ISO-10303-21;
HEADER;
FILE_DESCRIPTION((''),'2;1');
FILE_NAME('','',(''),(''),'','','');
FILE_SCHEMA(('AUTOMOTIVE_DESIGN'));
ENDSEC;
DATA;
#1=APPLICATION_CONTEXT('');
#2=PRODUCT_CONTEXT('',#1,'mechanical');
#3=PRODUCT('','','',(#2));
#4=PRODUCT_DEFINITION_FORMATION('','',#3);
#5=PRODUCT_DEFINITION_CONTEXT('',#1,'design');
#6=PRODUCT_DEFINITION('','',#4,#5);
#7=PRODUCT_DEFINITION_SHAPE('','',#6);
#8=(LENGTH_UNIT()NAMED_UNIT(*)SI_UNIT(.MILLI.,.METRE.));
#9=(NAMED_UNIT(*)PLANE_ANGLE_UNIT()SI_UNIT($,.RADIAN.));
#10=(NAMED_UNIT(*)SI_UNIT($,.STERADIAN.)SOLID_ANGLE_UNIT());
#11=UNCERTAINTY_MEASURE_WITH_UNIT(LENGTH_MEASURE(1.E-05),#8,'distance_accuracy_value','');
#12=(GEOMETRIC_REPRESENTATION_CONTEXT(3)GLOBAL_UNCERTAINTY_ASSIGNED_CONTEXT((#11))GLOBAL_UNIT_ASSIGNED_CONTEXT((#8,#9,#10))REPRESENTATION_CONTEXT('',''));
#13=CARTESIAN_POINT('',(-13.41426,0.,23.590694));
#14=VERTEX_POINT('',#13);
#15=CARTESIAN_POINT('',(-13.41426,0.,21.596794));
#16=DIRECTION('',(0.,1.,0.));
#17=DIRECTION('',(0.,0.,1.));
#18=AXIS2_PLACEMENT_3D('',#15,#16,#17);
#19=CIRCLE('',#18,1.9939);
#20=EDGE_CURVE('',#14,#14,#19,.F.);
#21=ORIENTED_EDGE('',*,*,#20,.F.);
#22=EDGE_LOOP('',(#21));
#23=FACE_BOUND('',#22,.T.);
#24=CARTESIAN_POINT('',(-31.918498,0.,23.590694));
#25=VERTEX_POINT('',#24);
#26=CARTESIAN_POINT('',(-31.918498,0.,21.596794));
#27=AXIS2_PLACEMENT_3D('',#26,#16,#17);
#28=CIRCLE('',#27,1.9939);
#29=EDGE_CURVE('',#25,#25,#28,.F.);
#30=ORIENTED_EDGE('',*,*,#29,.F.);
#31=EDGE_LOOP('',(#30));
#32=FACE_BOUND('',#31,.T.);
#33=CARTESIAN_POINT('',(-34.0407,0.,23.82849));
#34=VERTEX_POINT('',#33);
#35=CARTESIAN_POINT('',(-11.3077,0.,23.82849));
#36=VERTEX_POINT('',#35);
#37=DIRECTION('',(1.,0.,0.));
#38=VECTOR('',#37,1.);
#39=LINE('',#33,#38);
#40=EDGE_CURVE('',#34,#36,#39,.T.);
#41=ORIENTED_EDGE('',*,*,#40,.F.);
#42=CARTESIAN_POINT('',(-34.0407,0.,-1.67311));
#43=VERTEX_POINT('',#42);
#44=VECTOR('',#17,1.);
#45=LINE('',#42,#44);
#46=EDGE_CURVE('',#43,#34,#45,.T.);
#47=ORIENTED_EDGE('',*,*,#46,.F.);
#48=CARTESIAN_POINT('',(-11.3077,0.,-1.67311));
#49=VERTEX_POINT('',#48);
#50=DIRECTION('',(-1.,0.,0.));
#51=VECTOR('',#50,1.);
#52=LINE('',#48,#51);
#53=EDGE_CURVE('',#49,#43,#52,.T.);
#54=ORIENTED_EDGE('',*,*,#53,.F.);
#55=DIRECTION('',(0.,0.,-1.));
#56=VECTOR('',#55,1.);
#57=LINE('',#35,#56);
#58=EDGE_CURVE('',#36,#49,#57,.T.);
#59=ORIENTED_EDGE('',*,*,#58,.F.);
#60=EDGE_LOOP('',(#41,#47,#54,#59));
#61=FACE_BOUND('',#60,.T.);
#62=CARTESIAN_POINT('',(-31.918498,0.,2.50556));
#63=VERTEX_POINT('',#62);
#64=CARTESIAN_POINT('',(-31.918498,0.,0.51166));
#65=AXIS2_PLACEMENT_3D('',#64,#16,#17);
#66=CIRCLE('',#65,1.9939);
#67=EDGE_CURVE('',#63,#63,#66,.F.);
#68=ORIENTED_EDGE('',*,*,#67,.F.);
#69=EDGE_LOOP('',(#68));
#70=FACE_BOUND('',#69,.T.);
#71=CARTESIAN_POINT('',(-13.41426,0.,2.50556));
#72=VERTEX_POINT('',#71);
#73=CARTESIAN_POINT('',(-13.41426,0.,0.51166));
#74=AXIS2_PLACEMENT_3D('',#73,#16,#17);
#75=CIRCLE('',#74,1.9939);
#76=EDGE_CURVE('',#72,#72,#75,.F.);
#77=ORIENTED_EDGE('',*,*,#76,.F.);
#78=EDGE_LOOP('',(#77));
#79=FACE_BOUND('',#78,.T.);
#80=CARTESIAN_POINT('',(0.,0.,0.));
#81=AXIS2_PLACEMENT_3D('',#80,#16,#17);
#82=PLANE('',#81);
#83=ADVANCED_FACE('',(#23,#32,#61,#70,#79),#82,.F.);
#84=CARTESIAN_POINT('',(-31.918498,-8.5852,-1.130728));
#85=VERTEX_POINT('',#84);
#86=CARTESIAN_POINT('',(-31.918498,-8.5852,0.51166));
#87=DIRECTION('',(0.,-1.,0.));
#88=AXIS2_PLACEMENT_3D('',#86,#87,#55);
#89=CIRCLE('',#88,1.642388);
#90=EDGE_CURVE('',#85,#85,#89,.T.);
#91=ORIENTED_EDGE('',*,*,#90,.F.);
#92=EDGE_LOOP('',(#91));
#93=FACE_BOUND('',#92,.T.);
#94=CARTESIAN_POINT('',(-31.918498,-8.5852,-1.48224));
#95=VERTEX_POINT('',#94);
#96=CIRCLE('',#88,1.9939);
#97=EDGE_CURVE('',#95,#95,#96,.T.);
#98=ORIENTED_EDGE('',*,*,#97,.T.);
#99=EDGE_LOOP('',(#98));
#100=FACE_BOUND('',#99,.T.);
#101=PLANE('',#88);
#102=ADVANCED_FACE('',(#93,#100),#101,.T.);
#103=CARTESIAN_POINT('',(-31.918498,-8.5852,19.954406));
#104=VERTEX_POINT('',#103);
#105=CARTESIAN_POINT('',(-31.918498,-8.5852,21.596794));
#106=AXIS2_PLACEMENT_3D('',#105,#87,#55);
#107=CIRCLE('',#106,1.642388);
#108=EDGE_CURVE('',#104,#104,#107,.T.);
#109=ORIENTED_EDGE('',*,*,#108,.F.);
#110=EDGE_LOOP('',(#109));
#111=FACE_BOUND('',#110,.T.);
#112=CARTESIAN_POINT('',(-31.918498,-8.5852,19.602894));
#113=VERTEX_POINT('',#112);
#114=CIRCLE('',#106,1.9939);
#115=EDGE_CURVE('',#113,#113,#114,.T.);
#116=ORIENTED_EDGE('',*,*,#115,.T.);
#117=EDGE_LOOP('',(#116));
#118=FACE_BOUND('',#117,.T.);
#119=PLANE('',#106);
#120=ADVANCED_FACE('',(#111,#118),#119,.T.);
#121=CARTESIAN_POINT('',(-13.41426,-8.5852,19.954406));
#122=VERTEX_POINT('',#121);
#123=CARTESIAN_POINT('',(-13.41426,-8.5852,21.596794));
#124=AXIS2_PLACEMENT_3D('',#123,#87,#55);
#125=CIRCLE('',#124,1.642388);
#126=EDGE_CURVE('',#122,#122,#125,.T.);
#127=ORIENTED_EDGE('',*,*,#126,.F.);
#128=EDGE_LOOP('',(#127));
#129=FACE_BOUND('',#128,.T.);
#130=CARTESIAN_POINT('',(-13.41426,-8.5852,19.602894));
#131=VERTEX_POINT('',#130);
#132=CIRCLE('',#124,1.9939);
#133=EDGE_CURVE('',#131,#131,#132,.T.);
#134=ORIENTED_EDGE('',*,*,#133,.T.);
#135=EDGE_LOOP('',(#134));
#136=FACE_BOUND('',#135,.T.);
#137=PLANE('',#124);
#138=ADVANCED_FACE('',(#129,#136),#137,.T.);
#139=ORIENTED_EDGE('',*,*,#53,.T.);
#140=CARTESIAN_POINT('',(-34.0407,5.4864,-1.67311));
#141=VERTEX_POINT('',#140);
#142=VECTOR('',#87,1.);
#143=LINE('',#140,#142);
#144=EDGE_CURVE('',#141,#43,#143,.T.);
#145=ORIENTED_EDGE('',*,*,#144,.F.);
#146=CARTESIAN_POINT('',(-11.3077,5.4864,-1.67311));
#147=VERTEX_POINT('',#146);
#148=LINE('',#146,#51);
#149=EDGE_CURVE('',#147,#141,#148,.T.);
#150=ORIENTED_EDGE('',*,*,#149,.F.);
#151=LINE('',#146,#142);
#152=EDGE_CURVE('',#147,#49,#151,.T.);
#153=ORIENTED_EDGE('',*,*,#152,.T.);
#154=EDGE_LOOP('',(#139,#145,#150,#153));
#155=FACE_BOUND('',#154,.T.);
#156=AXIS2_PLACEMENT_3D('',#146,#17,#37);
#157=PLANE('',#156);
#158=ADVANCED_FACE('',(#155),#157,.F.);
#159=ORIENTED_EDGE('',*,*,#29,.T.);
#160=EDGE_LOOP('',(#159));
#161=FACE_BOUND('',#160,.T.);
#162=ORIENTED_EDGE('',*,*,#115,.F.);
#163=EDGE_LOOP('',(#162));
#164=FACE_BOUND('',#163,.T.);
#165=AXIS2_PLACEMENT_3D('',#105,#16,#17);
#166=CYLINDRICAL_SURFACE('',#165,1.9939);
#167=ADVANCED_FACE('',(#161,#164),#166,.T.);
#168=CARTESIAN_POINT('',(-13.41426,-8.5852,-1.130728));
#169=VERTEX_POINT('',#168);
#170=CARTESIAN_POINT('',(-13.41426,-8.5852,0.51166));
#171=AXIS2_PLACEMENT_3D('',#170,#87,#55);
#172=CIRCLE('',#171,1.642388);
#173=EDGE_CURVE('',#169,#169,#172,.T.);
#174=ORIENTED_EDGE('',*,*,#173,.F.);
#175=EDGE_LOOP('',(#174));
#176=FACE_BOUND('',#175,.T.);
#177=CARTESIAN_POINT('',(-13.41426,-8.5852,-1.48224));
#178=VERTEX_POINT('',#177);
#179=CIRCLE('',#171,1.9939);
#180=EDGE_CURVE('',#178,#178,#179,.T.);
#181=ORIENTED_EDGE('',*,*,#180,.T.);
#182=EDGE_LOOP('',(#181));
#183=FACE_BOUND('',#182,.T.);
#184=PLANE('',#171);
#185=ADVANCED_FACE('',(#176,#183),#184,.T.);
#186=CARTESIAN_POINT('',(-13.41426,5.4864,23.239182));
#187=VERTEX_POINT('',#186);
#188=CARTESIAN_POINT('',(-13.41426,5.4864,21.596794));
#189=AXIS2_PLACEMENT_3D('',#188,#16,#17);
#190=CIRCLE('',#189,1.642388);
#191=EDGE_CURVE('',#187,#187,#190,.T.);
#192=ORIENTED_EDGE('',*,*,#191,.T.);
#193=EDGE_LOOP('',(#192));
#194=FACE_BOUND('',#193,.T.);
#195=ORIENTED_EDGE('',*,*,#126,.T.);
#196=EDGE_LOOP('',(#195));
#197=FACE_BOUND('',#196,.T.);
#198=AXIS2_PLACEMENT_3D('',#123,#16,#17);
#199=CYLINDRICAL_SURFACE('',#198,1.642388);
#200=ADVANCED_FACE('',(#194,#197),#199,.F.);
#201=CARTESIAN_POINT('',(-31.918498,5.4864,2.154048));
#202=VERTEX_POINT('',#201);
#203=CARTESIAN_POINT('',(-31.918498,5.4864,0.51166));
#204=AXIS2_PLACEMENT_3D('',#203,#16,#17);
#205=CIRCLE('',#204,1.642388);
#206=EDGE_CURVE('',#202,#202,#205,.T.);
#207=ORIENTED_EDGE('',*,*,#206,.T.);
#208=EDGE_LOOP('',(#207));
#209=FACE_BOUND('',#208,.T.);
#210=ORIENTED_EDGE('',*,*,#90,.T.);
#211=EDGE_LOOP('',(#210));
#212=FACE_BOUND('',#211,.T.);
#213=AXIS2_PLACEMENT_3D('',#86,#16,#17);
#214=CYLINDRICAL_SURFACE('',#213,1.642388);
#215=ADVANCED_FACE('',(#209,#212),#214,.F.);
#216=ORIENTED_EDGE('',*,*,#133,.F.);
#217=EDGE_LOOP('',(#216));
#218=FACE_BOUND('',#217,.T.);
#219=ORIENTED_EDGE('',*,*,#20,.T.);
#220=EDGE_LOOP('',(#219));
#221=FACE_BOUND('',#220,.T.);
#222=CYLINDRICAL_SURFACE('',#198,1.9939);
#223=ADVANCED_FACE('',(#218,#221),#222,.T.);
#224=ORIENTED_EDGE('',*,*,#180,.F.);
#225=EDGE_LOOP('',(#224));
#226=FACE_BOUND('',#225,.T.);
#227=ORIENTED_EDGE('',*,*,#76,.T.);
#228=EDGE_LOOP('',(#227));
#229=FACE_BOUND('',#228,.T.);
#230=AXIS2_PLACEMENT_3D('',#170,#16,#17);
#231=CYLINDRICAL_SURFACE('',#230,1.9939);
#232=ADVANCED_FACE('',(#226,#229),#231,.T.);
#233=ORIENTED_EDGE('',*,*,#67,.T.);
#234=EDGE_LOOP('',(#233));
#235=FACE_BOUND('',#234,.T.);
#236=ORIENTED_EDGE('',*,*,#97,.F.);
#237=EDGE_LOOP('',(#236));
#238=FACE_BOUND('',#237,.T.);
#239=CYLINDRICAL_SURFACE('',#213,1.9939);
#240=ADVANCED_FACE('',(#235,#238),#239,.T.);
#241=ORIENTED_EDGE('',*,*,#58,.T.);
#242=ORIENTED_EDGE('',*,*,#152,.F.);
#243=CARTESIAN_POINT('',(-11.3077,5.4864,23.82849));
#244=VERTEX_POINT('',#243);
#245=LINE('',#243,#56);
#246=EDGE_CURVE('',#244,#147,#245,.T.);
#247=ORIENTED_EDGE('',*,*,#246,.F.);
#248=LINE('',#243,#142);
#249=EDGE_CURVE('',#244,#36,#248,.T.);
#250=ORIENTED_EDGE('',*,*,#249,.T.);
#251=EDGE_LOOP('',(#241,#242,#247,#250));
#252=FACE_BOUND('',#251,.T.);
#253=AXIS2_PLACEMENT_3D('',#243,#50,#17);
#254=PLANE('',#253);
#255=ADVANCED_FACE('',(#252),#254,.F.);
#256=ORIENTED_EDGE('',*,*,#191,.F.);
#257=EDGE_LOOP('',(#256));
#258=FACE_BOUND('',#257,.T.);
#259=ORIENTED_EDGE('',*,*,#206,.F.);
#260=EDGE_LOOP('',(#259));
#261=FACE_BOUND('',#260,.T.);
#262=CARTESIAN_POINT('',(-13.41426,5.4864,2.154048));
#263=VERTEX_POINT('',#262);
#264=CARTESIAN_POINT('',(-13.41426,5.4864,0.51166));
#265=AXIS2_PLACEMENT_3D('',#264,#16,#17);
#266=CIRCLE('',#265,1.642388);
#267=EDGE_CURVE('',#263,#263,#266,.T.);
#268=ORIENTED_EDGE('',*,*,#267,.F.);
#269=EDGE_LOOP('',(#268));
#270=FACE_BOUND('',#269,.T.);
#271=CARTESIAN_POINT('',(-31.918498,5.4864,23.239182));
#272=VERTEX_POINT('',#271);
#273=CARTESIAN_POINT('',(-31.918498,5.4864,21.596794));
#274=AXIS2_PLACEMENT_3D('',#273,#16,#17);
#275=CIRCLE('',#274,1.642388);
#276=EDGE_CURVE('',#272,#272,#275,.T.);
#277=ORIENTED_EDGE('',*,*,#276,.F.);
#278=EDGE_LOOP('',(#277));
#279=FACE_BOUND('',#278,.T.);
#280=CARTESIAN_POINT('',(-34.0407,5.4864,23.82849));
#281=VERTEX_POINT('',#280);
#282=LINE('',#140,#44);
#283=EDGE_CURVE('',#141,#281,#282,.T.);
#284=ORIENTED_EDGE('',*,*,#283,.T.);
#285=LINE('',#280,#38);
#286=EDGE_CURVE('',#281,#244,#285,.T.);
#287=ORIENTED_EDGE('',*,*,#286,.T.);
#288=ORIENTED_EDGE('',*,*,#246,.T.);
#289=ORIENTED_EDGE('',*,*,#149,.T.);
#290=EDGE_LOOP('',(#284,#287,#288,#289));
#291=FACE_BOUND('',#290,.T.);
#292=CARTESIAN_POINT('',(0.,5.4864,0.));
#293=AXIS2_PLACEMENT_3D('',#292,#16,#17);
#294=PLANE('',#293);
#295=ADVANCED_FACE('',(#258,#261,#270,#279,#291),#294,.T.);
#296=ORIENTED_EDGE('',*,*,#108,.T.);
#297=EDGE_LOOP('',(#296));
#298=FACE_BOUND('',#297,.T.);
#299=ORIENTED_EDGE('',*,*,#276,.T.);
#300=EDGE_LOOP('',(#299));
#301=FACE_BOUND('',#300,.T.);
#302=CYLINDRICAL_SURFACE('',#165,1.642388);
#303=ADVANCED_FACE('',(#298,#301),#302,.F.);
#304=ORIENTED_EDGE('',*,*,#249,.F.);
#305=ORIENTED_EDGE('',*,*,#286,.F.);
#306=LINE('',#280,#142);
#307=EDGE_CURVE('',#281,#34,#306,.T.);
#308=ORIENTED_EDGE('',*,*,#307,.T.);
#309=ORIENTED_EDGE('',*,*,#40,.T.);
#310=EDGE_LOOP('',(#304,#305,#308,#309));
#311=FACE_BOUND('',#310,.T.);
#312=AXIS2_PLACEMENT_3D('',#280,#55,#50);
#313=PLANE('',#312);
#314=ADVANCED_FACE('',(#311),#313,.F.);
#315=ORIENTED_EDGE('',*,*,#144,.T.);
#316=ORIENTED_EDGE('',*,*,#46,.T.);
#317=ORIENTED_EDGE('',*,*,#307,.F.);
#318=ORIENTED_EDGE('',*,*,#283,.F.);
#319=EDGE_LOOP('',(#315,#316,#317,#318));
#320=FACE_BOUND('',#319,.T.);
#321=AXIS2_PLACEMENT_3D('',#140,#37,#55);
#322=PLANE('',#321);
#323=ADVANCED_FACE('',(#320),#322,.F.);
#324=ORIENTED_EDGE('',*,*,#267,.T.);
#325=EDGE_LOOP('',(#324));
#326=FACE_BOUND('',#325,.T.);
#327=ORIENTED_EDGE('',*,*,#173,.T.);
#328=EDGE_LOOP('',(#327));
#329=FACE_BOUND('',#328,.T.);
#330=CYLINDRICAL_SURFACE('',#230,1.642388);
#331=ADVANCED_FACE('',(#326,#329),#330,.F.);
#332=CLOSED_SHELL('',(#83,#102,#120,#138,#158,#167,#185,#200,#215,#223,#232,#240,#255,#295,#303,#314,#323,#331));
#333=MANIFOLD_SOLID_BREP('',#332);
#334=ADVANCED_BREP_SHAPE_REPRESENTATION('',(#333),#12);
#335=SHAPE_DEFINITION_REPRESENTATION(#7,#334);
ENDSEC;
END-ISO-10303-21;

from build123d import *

# Parameters (mm, degrees)
SKETCH1_W               = 22.733
SKETCH1_H               = 25.5016
BOSS_EXTRUDE1_DEPTH     = 5.4864
SKETCH2_R               = 1.9939
SKETCH2_R_2             = 1.642387972
BOSS_EXTRUDE2_DEPTH     = 8.5852
SKETCH5_R               = 1.642387972
CUT_EXTRUDE1_DEPTH      = 1
CUT_EXTRUDE1_DEPTH_BACK = 15.0716


with BuildPart() as part:
    # Sketch1 → Boss-Extrude1 (new body)
    with BuildSketch(Plane(origin=(0, 0, 0), x_dir=(1, 0, 0), z_dir=(0, 1, 0))):
        with Locations((-22.674199551, -11.077689686)):
            Rectangle(SKETCH1_W, SKETCH1_H)
    extrude(amount=BOSS_EXTRUDE1_DEPTH)

    # Sketch2 → Boss-Extrude2 (add)
    with BuildSketch(Plane.XZ):
        with Locations((-31.918497565, 21.596793601)):
            Circle(SKETCH2_R)
        with Locations((-31.918497565, 21.596793601)):
            Circle(SKETCH2_R_2, mode=Mode.SUBTRACT)
        with Locations((-13.414259747, 21.596793601)):
            Circle(SKETCH2_R)
        with Locations((-13.414259747, 21.596793601)):
            Circle(SKETCH2_R_2, mode=Mode.SUBTRACT)
        with Locations((-31.918497565, 0.511660399)):
            Circle(SKETCH2_R)
        with Locations((-31.918497565, 0.511660399)):
            Circle(SKETCH2_R_2, mode=Mode.SUBTRACT)
        with Locations((-13.414259747, 0.511660399)):
            Circle(SKETCH2_R)
        with Locations((-13.414259747, 0.511660399)):
            Circle(SKETCH2_R_2, mode=Mode.SUBTRACT)
    extrude(amount=BOSS_EXTRUDE2_DEPTH)

    # Sketch5 → Cut-Extrude1 (cut, two sides)
    with BuildSketch(Plane(origin=(0, 5.4864, 0), x_dir=(1, 0, 0), z_dir=(0, 1, 0))) as cut_extrude1_sk:
        with Locations((-31.918497565, -0.511660399)):
            Circle(SKETCH5_R)
        with Locations((-13.414259747, -0.511660399)):
            Circle(SKETCH5_R)
        with Locations((-13.414259747, -21.596793601)):
            Circle(SKETCH5_R)
        with Locations((-31.918497565, -21.596793601)):
            Circle(SKETCH5_R)
    extrude(amount=CUT_EXTRUDE1_DEPTH, mode=Mode.SUBTRACT)
    extrude(cut_extrude1_sk.sketch, amount=-CUT_EXTRUDE1_DEPTH_BACK, mode=Mode.SUBTRACT)


solid = part.part
